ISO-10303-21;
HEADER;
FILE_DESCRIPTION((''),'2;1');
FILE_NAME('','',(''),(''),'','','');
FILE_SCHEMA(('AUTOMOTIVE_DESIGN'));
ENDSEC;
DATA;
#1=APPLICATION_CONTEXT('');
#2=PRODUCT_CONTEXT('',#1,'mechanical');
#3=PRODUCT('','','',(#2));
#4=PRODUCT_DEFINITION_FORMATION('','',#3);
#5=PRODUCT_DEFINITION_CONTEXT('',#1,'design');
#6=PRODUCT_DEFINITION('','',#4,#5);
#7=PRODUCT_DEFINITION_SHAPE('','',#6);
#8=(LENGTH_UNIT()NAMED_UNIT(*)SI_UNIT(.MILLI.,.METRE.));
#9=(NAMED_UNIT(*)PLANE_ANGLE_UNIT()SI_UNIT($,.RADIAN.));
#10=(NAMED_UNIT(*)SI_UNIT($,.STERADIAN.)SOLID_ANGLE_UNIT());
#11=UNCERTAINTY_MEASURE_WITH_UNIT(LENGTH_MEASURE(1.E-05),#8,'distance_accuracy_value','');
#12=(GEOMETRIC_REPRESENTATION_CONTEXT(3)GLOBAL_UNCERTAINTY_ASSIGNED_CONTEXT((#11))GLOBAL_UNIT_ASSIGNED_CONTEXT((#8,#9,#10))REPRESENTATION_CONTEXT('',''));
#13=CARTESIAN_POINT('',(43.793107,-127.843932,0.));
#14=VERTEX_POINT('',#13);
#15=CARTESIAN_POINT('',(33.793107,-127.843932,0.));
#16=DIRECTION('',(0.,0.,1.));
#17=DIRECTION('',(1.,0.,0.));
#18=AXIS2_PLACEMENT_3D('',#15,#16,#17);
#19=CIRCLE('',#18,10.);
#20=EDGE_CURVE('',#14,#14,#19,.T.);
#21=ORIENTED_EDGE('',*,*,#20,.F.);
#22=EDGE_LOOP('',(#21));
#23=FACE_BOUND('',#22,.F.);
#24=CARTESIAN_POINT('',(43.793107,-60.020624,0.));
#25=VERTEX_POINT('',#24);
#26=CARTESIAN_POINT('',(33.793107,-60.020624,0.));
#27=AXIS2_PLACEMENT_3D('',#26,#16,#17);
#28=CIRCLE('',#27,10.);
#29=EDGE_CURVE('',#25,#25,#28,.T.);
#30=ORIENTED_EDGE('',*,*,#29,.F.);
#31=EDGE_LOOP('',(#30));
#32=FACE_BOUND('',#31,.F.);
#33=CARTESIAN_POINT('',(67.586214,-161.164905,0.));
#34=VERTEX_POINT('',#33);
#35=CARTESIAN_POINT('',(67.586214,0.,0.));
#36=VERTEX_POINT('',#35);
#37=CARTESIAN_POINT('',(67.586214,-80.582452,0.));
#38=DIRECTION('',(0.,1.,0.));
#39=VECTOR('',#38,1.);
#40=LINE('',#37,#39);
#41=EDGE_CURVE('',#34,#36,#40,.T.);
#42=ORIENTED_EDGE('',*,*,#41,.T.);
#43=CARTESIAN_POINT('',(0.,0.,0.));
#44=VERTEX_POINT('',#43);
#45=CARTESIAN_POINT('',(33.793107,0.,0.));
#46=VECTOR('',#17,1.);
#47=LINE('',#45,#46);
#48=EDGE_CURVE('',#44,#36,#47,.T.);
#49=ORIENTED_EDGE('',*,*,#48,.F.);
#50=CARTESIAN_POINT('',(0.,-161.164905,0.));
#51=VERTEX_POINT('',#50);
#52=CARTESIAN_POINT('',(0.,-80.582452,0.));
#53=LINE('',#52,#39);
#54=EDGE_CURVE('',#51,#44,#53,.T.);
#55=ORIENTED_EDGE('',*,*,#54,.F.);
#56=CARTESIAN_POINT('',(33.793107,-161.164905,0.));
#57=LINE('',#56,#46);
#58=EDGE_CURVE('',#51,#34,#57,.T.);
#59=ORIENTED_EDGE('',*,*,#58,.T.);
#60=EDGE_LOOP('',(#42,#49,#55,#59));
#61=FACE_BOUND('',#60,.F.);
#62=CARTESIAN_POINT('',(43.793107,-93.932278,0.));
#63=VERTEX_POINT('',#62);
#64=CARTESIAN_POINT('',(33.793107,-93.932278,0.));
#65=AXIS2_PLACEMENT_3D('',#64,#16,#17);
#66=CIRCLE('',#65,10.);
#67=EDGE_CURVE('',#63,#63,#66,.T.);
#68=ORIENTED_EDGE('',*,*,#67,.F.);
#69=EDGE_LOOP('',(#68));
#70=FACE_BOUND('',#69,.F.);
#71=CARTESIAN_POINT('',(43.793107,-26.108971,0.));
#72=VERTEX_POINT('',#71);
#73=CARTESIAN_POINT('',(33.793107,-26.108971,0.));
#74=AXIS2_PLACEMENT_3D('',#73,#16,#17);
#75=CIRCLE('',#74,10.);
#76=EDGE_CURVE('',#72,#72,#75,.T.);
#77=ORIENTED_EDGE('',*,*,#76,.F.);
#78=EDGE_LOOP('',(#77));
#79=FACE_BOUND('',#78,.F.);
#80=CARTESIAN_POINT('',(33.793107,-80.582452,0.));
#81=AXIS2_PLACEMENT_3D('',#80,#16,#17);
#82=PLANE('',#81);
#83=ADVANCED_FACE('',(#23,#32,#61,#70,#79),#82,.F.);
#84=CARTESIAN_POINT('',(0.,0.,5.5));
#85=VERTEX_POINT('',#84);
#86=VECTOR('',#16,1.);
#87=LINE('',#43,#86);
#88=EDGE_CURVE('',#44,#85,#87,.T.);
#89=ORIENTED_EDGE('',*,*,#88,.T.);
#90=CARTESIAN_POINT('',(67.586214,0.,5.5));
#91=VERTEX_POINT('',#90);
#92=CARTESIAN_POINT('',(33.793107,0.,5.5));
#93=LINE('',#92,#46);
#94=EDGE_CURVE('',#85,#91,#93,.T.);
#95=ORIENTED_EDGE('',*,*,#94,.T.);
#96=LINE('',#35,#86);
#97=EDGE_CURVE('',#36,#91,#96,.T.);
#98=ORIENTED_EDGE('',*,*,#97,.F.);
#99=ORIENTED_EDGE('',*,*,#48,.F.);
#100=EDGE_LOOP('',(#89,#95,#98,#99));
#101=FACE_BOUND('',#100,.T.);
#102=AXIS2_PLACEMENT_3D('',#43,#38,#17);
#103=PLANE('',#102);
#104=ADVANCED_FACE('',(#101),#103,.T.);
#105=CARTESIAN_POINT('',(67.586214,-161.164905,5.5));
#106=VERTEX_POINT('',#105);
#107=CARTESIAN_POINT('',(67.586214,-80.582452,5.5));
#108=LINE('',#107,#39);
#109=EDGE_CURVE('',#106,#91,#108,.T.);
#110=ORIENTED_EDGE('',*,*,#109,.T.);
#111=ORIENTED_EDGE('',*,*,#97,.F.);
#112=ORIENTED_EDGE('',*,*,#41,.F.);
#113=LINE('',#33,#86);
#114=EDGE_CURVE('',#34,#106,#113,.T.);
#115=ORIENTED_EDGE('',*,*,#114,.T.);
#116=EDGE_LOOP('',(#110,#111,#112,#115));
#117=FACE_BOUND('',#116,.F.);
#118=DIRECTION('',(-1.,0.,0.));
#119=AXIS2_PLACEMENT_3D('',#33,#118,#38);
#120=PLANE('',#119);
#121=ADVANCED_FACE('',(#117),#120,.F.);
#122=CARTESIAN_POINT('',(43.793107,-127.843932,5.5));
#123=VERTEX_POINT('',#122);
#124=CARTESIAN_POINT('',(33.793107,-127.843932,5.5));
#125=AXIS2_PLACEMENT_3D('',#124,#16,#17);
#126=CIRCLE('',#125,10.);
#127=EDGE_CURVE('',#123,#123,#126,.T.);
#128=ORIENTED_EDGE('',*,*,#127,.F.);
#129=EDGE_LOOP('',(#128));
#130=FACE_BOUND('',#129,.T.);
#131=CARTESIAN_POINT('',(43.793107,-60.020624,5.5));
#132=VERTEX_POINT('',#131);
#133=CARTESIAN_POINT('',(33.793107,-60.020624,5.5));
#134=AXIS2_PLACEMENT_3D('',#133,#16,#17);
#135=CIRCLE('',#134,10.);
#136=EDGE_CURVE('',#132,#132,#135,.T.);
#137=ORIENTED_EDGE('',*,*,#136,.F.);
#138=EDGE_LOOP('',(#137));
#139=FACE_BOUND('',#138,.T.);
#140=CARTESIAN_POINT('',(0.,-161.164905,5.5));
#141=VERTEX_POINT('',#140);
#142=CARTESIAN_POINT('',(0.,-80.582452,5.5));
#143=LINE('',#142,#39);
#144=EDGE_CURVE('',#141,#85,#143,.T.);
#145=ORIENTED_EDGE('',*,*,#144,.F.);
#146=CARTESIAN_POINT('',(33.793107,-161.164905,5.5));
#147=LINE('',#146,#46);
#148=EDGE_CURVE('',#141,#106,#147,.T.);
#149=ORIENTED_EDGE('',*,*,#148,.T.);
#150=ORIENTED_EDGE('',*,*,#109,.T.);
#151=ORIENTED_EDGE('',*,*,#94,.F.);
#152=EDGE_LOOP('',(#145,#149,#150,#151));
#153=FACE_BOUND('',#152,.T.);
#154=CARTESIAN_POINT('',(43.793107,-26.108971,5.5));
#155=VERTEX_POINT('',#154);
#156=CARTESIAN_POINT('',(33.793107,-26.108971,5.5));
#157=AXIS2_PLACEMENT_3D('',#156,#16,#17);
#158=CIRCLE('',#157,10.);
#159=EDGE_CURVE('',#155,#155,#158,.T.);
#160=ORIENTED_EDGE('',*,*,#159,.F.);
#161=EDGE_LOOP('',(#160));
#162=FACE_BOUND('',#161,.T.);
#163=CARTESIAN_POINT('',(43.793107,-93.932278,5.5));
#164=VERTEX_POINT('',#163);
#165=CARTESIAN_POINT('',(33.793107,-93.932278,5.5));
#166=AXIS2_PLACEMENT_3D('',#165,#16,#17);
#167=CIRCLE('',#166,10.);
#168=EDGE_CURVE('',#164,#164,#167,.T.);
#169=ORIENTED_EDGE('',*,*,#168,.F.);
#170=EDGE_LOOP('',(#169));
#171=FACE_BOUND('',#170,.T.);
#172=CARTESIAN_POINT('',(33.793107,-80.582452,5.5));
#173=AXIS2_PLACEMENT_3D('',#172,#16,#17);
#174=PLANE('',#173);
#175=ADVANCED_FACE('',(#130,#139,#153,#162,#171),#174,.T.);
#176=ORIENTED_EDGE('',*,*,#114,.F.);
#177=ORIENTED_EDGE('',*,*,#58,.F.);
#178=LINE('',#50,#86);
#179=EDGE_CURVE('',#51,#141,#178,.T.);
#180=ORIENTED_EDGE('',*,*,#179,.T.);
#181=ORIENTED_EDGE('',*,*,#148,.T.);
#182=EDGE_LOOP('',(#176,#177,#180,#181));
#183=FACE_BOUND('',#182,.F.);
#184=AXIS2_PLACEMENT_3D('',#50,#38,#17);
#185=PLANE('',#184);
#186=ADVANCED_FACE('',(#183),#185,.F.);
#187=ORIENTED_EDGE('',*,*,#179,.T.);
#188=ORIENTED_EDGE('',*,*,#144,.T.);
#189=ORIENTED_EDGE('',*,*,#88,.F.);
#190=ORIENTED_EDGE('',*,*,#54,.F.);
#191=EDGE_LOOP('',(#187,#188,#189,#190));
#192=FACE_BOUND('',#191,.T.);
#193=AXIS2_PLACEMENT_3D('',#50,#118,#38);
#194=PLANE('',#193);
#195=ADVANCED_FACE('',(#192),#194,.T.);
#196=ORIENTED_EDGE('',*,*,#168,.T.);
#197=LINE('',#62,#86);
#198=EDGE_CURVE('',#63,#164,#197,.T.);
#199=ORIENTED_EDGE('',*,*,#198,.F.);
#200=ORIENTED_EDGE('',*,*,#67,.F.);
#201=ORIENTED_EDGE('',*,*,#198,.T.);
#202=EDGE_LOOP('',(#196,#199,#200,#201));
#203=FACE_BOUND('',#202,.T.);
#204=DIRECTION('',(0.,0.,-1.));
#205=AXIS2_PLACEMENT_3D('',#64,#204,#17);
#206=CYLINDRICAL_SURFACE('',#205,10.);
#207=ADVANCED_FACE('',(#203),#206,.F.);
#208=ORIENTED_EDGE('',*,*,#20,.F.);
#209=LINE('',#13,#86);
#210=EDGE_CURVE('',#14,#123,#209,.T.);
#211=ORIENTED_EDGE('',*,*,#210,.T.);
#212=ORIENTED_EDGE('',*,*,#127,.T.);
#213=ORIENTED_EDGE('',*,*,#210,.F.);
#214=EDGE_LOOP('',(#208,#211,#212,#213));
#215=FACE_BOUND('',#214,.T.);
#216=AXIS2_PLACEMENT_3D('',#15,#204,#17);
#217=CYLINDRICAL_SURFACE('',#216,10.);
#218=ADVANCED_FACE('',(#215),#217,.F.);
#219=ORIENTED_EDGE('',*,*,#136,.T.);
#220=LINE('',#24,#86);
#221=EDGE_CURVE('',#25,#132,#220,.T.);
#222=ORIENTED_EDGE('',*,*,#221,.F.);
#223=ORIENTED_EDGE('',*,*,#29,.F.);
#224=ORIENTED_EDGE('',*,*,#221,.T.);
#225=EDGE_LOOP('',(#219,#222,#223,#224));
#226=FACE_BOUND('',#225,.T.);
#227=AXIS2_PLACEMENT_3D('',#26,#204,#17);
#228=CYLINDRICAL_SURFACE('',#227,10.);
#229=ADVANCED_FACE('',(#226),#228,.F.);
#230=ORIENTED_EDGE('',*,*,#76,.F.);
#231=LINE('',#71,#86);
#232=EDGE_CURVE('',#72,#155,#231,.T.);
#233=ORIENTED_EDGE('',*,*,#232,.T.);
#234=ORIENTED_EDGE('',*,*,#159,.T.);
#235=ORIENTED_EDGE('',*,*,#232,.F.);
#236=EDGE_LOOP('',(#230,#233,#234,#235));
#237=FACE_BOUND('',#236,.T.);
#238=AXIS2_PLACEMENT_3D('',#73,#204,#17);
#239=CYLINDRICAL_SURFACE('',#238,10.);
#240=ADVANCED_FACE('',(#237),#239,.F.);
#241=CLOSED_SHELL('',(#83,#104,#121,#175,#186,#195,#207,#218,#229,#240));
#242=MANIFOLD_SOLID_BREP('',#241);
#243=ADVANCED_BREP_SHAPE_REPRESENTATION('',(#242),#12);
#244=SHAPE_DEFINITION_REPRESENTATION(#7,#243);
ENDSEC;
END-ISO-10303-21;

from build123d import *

# Parameters (mm, degrees)
SKETCH_1_W      = 67.586214045
SKETCH_1_H      = 161.164904789
SKETCH_1_R      = 10
EXTRUDE_1_DEPTH = 5.5


with BuildPart() as part:
    # Эскиз1 → Вытянуть1 (new body)
    with BuildSketch(Plane.XY):
        with Locations((33.793107023, -80.582452395)):
            Rectangle(SKETCH_1_W, SKETCH_1_H)
        with Locations((33.793107022, -26.108970618)):
            Circle(SKETCH_1_R, mode=Mode.SUBTRACT)
        with Locations((33.793107022, -60.020624256)):
            Circle(SKETCH_1_R, mode=Mode.SUBTRACT)
        with Locations((33.793107022, -93.932277895)):
            Circle(SKETCH_1_R, mode=Mode.SUBTRACT)
        with Locations((33.793107022, -127.843931533)):
            Circle(SKETCH_1_R, mode=Mode.SUBTRACT)
    extrude(amount=EXTRUDE_1_DEPTH)


solid = part.part
